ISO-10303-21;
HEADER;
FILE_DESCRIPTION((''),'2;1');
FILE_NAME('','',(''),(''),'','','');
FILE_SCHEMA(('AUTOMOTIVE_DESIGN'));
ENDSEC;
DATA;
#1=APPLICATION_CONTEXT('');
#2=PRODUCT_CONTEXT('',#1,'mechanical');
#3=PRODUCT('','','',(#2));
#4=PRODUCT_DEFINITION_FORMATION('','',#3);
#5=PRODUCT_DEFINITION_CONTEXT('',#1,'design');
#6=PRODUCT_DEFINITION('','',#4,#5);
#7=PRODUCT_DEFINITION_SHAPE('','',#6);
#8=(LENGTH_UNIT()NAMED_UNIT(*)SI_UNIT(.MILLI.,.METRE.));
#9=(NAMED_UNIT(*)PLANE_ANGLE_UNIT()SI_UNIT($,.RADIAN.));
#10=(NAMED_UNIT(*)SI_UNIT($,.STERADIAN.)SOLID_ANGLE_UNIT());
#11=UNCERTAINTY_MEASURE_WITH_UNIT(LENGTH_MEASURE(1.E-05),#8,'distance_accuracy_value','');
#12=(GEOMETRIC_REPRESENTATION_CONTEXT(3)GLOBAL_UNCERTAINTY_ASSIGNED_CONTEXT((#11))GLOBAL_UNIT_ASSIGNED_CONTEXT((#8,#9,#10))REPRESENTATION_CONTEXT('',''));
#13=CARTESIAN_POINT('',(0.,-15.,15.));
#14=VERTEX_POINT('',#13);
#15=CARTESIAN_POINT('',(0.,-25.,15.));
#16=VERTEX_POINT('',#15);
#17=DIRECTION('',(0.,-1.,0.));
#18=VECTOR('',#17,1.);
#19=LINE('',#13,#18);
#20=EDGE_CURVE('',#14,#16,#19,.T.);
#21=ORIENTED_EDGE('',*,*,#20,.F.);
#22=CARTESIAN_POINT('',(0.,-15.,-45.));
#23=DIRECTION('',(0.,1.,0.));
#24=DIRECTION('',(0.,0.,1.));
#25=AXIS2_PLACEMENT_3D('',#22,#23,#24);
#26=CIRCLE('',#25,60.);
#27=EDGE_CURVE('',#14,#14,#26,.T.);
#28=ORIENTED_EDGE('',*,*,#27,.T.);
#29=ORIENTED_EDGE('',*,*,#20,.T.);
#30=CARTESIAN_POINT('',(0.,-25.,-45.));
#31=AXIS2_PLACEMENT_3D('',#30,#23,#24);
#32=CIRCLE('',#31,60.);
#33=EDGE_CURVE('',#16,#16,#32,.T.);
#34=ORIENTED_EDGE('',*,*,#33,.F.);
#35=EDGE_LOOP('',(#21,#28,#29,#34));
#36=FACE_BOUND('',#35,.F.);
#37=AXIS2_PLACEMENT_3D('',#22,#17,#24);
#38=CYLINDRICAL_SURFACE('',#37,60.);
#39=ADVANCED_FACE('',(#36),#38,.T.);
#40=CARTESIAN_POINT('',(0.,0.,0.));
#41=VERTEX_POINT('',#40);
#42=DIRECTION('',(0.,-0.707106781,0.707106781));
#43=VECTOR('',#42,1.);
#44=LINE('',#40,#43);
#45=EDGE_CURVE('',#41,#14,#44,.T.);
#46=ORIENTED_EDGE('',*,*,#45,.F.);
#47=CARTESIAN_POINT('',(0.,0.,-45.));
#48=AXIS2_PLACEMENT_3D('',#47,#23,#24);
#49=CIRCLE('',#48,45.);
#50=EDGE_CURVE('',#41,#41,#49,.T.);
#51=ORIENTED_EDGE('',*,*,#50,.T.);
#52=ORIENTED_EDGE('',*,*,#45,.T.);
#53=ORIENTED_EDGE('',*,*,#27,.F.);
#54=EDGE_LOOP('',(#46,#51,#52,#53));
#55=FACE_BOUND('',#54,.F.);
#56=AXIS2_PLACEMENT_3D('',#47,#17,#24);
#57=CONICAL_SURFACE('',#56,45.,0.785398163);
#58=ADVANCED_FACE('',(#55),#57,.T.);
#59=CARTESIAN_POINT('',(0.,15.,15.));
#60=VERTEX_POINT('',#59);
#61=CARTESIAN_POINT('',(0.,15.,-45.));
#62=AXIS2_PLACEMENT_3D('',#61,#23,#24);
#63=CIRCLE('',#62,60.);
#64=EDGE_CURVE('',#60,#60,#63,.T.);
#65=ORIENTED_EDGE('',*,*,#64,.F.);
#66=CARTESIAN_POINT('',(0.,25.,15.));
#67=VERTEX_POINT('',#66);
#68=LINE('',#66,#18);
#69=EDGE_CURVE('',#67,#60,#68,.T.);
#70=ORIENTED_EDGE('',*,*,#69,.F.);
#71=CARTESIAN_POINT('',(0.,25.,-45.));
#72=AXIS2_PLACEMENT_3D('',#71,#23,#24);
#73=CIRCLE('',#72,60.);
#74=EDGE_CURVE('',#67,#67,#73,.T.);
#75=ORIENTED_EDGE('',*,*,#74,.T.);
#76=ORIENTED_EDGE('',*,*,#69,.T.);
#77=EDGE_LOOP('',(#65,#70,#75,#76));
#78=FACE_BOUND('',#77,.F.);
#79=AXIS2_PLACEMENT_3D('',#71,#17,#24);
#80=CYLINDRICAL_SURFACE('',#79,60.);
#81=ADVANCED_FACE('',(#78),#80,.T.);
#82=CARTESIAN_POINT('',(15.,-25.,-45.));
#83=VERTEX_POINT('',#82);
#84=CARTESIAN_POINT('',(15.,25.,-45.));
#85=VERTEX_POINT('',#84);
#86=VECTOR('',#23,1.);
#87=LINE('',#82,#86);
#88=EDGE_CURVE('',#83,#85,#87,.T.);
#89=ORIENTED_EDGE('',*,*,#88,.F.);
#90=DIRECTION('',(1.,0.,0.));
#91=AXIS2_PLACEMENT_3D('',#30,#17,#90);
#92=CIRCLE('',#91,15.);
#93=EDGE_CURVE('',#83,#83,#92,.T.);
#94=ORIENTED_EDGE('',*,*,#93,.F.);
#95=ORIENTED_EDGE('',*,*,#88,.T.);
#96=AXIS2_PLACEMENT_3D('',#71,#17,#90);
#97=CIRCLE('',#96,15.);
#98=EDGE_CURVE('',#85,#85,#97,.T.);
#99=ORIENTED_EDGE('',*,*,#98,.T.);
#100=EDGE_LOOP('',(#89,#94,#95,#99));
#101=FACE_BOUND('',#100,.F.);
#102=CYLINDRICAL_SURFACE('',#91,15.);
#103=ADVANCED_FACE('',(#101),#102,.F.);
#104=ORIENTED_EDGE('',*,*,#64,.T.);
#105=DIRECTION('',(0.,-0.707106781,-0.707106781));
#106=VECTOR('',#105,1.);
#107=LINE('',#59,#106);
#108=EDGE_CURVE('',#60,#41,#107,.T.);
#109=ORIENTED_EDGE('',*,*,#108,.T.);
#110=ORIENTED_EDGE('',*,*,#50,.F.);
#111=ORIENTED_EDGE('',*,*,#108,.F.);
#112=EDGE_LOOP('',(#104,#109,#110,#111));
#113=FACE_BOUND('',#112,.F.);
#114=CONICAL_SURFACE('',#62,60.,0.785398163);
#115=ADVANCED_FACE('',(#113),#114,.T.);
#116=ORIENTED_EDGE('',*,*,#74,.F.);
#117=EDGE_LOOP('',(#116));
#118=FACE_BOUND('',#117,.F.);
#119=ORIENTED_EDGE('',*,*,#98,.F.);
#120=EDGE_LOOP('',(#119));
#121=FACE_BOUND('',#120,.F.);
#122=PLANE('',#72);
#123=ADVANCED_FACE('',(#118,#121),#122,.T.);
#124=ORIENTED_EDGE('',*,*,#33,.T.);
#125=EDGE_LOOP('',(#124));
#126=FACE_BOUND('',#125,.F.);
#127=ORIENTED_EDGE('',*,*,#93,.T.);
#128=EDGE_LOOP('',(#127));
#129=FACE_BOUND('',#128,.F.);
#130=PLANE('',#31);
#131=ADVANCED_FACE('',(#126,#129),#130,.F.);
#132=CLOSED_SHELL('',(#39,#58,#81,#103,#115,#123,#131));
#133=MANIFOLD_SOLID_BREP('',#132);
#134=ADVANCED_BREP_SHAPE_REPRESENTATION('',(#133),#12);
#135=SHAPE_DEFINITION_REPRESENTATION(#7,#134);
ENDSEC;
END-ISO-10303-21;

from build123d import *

# Parameters (mm, degrees)
F2_R     = 15
F3_DEPTH = 50


with BuildPart() as f1:
    # F0 (on Right) → F1 (revolve)
    with BuildSketch(Plane.YZ):
        Polygon((15, 15), (0, 0), (-15, 15), (-25, 15), (-25, -45), (25, -45), (25, 15), align=None)
    revolve(axis=Axis((0, 0, -45), (0, 1, 0)))

    # F2 (on face) → F3 (cut)
    with BuildSketch(Plane.XZ.offset(25)):
        with Locations((0, -45)):
            Circle(F2_R)
    extrude(amount=-F3_DEPTH, mode=Mode.SUBTRACT)


solid = f1.part
